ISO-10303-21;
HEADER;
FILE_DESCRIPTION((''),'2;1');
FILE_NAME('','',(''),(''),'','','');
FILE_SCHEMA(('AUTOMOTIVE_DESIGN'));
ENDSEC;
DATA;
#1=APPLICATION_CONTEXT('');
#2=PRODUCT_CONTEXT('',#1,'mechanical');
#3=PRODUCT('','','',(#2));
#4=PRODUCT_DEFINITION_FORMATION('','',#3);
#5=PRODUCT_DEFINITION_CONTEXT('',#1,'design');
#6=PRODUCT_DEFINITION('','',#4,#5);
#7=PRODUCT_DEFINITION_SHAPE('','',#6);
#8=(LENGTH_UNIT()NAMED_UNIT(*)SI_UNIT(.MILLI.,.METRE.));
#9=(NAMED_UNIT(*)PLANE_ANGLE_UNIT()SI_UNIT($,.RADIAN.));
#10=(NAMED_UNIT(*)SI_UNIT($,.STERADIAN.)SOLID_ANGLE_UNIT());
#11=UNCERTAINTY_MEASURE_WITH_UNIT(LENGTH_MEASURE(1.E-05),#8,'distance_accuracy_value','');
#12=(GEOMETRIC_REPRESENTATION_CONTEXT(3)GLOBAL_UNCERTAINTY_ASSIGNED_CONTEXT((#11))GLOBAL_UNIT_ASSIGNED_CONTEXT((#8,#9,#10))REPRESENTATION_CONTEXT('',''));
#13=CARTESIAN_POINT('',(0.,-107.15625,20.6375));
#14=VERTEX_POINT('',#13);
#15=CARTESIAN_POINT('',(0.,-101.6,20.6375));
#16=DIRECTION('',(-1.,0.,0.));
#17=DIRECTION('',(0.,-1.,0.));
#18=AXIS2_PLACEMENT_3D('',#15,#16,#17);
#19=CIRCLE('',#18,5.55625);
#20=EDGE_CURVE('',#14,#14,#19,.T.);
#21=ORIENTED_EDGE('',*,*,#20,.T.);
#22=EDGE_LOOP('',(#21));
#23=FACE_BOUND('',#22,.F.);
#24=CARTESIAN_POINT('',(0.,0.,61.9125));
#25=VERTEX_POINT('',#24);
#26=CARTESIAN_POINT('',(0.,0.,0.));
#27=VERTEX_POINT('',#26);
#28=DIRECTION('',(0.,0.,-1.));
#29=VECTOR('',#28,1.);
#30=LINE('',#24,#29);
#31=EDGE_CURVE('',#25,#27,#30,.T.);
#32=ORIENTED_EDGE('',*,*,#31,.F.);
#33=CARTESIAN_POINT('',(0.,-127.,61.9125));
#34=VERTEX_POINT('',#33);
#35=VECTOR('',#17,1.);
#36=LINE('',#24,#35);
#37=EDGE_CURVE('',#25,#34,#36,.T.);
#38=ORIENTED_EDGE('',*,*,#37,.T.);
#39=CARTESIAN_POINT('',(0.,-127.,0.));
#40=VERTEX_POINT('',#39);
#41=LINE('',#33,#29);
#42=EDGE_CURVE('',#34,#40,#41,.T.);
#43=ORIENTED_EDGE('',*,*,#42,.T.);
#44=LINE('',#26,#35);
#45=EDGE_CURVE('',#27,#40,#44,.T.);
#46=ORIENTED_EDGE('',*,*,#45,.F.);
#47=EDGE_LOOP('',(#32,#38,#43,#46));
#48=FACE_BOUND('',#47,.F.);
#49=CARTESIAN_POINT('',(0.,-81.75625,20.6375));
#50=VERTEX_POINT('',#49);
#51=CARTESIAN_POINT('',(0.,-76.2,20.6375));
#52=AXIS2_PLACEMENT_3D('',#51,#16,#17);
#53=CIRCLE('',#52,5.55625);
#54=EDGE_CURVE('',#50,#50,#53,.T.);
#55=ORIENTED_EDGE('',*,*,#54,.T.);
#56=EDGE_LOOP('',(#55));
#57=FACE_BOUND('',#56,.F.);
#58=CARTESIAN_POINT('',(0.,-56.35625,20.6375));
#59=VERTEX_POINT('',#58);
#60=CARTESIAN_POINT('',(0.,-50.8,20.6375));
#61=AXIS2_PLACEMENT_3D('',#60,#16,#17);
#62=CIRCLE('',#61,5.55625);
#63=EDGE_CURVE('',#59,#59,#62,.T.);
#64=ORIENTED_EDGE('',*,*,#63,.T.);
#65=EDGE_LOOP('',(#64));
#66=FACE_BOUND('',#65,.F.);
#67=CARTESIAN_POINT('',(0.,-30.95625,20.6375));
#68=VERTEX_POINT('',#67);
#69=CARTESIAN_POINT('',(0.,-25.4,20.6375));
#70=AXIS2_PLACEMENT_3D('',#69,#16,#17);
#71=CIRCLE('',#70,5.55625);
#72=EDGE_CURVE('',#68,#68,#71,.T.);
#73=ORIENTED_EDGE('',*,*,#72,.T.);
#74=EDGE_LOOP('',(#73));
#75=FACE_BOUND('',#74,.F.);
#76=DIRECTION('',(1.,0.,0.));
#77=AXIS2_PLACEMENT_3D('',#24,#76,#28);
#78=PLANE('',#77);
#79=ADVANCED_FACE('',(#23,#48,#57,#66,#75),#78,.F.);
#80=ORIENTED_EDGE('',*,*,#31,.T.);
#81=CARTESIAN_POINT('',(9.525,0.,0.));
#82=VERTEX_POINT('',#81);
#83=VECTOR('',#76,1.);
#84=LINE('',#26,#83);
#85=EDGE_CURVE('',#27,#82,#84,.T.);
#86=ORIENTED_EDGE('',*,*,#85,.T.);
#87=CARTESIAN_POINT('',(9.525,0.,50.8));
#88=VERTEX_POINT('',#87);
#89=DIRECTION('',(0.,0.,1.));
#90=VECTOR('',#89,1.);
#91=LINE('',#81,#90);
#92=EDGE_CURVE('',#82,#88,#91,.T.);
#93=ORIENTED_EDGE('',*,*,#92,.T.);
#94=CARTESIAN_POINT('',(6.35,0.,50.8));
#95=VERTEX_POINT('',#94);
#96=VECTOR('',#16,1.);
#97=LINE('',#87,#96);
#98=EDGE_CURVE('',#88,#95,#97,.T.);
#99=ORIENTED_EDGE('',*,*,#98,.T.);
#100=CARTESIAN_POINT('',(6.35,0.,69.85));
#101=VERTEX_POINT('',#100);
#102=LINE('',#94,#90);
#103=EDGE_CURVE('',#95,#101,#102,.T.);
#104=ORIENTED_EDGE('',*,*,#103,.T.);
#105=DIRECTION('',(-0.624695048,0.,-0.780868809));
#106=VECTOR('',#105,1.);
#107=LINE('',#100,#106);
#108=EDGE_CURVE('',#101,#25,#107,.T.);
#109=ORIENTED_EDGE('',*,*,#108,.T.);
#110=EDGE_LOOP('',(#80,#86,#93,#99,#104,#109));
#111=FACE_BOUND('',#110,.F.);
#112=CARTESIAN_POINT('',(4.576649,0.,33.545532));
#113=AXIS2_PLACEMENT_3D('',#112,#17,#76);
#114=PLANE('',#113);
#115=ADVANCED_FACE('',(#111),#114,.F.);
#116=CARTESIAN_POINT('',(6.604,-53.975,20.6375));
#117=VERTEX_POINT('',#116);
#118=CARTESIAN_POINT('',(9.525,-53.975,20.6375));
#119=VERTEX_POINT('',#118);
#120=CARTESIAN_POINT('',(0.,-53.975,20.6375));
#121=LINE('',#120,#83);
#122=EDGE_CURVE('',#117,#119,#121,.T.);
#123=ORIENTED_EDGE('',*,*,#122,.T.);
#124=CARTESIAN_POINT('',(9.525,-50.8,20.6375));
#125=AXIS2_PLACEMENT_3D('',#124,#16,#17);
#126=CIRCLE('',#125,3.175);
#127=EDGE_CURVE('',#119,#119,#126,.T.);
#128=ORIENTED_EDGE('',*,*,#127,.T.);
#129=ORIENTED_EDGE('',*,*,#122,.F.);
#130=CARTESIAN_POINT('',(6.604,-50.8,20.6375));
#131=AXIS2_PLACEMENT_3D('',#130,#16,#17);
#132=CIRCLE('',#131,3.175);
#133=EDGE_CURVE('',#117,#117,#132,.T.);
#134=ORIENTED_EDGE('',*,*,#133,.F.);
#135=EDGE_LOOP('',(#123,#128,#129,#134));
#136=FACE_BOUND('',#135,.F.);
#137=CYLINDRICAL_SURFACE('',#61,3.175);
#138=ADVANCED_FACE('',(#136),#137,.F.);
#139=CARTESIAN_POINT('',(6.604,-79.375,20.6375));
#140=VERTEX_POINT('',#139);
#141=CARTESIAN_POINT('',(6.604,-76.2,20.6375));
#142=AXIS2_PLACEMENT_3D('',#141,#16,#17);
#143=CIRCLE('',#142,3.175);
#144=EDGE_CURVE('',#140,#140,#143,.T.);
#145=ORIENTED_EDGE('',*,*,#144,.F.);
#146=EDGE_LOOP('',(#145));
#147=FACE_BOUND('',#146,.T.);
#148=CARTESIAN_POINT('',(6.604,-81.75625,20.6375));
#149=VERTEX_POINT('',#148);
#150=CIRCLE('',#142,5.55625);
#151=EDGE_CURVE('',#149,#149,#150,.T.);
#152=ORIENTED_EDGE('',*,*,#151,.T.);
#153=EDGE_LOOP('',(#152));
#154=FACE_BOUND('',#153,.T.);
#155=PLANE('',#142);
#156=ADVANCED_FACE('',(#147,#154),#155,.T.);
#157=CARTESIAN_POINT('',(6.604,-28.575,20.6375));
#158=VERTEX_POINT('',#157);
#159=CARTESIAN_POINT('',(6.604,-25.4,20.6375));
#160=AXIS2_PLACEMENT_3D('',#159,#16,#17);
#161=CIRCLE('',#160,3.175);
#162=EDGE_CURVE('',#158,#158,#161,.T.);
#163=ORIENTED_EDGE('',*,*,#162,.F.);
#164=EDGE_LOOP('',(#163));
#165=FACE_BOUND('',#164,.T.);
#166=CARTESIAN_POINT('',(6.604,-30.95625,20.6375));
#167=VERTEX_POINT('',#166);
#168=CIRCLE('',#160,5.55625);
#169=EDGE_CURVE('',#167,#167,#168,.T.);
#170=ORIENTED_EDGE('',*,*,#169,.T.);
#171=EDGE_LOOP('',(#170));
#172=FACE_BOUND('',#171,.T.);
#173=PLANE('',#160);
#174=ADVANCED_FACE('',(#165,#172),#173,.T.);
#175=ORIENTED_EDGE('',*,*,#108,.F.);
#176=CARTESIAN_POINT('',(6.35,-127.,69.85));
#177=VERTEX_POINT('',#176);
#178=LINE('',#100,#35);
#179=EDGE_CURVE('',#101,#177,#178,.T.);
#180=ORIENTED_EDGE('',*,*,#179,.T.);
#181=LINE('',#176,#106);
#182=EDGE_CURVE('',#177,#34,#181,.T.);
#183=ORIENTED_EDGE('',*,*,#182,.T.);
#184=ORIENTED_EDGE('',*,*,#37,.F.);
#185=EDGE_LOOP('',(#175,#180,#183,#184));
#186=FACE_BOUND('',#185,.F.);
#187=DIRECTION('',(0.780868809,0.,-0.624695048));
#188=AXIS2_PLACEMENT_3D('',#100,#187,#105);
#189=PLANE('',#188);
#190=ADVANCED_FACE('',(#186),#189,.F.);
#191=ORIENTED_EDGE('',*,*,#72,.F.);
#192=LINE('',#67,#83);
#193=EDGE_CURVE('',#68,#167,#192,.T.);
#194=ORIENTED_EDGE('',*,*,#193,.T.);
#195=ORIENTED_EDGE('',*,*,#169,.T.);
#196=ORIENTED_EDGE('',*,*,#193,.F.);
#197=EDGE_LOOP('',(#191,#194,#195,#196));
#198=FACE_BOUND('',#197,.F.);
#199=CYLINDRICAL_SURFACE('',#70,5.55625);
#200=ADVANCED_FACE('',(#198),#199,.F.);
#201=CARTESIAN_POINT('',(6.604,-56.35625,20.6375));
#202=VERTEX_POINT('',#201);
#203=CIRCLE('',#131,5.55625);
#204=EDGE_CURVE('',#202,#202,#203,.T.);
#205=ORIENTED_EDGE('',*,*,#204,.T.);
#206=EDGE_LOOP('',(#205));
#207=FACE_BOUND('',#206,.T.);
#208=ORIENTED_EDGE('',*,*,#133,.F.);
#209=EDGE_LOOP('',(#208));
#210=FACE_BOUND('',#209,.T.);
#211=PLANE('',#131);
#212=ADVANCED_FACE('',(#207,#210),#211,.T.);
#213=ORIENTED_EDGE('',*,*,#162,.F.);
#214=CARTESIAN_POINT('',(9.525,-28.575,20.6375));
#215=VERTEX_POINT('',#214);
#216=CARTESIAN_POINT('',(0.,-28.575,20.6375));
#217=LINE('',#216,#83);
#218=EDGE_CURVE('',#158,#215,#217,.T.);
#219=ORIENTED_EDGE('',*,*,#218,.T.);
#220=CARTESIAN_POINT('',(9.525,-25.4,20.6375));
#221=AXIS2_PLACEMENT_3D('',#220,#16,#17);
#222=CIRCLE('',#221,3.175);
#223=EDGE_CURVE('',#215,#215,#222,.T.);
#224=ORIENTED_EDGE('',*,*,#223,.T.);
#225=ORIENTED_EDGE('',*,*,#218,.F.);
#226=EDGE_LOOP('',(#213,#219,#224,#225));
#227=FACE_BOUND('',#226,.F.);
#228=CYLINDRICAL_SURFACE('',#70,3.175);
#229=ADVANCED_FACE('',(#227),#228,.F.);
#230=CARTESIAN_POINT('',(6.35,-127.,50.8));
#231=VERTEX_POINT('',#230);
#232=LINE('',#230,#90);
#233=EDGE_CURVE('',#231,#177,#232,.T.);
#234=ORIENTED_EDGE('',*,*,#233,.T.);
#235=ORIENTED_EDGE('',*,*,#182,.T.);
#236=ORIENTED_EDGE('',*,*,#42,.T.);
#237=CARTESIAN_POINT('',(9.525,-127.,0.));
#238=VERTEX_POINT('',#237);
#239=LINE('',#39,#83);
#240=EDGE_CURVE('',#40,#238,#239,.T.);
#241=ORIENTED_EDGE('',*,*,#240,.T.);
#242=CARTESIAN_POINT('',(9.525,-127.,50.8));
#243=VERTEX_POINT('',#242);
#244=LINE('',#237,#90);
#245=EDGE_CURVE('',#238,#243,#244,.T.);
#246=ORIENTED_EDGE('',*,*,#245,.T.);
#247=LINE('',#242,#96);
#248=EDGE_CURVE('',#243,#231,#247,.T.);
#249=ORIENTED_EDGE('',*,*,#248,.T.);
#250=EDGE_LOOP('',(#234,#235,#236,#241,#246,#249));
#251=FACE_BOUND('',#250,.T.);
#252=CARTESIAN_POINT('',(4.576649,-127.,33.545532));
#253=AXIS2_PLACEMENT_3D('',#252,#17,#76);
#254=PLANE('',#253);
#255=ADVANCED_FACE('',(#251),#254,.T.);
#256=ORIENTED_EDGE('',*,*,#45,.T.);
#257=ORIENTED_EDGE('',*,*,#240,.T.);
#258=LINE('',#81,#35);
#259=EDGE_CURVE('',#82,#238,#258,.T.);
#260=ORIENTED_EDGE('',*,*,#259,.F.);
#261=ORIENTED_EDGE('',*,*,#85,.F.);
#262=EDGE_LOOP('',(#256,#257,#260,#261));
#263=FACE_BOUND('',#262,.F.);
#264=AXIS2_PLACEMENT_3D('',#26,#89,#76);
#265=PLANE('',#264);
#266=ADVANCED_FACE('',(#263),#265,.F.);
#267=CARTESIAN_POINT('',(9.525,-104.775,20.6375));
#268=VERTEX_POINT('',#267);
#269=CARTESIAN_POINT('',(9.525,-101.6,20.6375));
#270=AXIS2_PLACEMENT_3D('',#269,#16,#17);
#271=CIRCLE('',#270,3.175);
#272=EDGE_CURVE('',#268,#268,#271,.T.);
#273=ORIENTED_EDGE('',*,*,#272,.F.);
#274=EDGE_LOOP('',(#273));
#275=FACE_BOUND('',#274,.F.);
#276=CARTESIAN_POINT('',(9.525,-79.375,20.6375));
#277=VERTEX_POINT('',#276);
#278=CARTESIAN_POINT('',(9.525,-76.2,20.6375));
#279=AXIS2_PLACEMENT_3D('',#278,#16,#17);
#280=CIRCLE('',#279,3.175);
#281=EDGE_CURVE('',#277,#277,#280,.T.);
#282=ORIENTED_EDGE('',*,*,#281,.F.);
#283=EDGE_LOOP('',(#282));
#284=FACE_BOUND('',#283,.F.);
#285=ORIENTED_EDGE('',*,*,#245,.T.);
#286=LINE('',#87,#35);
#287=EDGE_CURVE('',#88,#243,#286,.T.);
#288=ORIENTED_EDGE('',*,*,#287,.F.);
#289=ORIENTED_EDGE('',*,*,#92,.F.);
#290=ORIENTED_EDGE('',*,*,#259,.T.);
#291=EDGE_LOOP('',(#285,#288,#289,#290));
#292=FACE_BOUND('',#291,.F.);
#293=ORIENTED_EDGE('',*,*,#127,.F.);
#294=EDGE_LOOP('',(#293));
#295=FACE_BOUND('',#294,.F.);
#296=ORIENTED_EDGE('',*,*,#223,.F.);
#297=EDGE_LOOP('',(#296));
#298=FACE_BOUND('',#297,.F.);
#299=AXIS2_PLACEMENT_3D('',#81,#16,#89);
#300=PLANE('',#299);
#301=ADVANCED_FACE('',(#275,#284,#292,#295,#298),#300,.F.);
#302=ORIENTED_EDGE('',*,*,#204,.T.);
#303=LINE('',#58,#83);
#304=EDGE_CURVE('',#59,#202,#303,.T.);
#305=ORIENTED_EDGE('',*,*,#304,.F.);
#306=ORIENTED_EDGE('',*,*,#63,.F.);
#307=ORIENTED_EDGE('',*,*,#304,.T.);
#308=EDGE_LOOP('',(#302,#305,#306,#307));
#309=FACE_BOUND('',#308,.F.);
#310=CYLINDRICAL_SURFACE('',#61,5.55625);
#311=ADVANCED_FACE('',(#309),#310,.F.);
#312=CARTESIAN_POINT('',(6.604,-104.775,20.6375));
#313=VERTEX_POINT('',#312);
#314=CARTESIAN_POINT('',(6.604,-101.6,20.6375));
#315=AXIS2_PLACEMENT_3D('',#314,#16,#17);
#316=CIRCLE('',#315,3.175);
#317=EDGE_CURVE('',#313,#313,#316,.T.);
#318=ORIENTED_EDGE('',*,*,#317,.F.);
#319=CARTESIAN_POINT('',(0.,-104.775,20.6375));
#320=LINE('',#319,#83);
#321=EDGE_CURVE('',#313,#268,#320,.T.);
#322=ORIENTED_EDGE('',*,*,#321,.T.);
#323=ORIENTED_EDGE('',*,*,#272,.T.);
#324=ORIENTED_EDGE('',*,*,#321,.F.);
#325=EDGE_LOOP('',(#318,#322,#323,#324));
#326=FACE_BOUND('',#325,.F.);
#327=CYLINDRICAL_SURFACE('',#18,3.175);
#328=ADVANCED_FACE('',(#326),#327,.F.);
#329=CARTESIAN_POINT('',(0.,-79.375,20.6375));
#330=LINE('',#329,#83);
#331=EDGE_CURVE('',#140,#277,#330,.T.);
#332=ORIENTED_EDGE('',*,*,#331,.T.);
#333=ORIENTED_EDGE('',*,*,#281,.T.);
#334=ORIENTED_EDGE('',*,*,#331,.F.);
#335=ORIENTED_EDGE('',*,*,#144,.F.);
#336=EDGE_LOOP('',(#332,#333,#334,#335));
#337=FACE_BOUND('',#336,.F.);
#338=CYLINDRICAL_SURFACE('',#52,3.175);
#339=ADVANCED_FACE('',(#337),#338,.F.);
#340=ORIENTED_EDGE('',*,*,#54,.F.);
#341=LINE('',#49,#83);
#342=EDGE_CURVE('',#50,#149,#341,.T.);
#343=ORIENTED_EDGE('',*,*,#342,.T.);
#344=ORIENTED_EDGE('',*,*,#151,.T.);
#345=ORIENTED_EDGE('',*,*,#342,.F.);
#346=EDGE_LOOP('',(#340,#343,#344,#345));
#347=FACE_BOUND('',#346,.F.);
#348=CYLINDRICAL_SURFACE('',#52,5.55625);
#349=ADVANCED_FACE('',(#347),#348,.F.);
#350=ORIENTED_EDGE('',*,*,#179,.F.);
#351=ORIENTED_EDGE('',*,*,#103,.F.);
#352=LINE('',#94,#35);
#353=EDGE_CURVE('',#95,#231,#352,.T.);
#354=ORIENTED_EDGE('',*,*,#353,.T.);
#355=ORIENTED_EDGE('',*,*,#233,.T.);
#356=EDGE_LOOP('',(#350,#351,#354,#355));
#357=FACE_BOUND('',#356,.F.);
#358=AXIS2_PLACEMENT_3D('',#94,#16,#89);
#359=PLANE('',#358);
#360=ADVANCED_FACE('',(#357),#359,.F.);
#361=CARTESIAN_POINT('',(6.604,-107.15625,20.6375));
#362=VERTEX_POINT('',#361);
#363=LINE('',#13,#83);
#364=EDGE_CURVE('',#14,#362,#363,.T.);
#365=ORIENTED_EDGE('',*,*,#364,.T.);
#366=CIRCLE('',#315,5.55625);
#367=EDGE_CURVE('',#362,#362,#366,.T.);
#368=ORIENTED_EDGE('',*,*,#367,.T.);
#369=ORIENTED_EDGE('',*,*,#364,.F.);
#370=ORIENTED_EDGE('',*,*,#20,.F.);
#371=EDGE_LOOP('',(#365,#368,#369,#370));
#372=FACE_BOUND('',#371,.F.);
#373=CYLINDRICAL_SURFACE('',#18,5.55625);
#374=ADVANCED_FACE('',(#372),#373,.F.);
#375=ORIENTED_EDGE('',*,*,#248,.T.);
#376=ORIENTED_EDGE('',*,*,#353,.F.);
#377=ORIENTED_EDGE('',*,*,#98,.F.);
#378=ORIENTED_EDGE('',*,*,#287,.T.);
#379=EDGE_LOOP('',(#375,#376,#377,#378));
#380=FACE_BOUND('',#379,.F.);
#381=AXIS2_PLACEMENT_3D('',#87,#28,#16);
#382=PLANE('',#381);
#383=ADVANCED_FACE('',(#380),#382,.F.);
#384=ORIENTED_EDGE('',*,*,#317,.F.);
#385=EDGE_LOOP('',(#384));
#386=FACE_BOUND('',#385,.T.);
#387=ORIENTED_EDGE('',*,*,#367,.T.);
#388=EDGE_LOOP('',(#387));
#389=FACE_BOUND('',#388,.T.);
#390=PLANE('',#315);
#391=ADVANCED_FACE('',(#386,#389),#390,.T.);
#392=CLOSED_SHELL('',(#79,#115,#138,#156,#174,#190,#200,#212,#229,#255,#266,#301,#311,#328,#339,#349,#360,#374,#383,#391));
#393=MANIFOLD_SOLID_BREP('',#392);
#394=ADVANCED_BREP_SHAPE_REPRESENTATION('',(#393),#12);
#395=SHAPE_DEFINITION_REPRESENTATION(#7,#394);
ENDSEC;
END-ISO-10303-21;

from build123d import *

# Parameters (mm, degrees)
F1_DEPTH = 127
F3_DEPTH = 25.4
F4_R     = 5.55625
F5_DEPTH = 6.604


with BuildPart() as f1:
    # F0 (on Front) → F1 (new body)
    with BuildSketch(Plane.XZ):
        Polygon((0, 61.9125), (0, 0), (9.525, 0), (9.525, 50.8), (6.35, 50.8), (6.35, 69.85), align=None)
    extrude(amount=F1_DEPTH)

    # F2 (on face) → F3 (cut)
    with BuildSketch(Plane(origin=(0, 0, 0), x_dir=(0, -1, 0), z_dir=(-1, 0, 0))):
        with BuildLine():
            ThreePointArc((98.425, 20.6375), (101.6, 17.4625), (104.775, 20.6375))
            Line((104.775, 20.6375), (98.425, 20.6375))
        make_face()
        with BuildLine():
            Line((98.425, 20.6375), (104.775, 20.6375))
            ThreePointArc((104.775, 20.6375), (101.6, 23.8125), (98.425, 20.6375))
        make_face()
        with BuildLine():
            ThreePointArc((22.225, 20.6375), (25.4, 17.4625), (28.575, 20.6375))
            Line((28.575, 20.6375), (22.225, 20.6375))
        make_face()
        with BuildLine():
            Line((22.225, 20.6375), (28.575, 20.6375))
            ThreePointArc((28.575, 20.6375), (25.4, 23.8125), (22.225, 20.6375))
        make_face()
        with BuildLine():
            ThreePointArc((47.625, 20.6375), (50.8, 17.4625), (53.975, 20.6375))
            Line((53.975, 20.6375), (47.625, 20.6375))
        make_face()
        with BuildLine():
            Line((47.625, 20.6375), (53.975, 20.6375))
            ThreePointArc((53.975, 20.6375), (50.8, 23.8125), (47.625, 20.6375))
        make_face()
        with BuildLine():
            ThreePointArc((73.025, 20.6375), (76.2, 17.4625), (79.375, 20.6375))
            Line((79.375, 20.6375), (73.025, 20.6375))
        make_face()
        with BuildLine():
            Line((73.025, 20.6375), (79.375, 20.6375))
            ThreePointArc((79.375, 20.6375), (76.2, 23.8125), (73.025, 20.6375))
        make_face()
    extrude(amount=-F3_DEPTH, mode=Mode.SUBTRACT)

    # F4 (on face) → F5 (cut)
    with BuildSketch(Plane(origin=(0, 0, 0), x_dir=(0, -1, 0), z_dir=(-1, 0, 0))):
        with Locations((101.6, 20.6375)):
            Circle(F4_R)
        with Locations((76.2, 20.6375)):
            Circle(F4_R)
        with Locations((50.8, 20.6375)):
            Circle(F4_R)
        with Locations((25.4, 20.6375)):
            Circle(F4_R)
    extrude(amount=-F5_DEPTH, mode=Mode.SUBTRACT)


solid = f1.part
